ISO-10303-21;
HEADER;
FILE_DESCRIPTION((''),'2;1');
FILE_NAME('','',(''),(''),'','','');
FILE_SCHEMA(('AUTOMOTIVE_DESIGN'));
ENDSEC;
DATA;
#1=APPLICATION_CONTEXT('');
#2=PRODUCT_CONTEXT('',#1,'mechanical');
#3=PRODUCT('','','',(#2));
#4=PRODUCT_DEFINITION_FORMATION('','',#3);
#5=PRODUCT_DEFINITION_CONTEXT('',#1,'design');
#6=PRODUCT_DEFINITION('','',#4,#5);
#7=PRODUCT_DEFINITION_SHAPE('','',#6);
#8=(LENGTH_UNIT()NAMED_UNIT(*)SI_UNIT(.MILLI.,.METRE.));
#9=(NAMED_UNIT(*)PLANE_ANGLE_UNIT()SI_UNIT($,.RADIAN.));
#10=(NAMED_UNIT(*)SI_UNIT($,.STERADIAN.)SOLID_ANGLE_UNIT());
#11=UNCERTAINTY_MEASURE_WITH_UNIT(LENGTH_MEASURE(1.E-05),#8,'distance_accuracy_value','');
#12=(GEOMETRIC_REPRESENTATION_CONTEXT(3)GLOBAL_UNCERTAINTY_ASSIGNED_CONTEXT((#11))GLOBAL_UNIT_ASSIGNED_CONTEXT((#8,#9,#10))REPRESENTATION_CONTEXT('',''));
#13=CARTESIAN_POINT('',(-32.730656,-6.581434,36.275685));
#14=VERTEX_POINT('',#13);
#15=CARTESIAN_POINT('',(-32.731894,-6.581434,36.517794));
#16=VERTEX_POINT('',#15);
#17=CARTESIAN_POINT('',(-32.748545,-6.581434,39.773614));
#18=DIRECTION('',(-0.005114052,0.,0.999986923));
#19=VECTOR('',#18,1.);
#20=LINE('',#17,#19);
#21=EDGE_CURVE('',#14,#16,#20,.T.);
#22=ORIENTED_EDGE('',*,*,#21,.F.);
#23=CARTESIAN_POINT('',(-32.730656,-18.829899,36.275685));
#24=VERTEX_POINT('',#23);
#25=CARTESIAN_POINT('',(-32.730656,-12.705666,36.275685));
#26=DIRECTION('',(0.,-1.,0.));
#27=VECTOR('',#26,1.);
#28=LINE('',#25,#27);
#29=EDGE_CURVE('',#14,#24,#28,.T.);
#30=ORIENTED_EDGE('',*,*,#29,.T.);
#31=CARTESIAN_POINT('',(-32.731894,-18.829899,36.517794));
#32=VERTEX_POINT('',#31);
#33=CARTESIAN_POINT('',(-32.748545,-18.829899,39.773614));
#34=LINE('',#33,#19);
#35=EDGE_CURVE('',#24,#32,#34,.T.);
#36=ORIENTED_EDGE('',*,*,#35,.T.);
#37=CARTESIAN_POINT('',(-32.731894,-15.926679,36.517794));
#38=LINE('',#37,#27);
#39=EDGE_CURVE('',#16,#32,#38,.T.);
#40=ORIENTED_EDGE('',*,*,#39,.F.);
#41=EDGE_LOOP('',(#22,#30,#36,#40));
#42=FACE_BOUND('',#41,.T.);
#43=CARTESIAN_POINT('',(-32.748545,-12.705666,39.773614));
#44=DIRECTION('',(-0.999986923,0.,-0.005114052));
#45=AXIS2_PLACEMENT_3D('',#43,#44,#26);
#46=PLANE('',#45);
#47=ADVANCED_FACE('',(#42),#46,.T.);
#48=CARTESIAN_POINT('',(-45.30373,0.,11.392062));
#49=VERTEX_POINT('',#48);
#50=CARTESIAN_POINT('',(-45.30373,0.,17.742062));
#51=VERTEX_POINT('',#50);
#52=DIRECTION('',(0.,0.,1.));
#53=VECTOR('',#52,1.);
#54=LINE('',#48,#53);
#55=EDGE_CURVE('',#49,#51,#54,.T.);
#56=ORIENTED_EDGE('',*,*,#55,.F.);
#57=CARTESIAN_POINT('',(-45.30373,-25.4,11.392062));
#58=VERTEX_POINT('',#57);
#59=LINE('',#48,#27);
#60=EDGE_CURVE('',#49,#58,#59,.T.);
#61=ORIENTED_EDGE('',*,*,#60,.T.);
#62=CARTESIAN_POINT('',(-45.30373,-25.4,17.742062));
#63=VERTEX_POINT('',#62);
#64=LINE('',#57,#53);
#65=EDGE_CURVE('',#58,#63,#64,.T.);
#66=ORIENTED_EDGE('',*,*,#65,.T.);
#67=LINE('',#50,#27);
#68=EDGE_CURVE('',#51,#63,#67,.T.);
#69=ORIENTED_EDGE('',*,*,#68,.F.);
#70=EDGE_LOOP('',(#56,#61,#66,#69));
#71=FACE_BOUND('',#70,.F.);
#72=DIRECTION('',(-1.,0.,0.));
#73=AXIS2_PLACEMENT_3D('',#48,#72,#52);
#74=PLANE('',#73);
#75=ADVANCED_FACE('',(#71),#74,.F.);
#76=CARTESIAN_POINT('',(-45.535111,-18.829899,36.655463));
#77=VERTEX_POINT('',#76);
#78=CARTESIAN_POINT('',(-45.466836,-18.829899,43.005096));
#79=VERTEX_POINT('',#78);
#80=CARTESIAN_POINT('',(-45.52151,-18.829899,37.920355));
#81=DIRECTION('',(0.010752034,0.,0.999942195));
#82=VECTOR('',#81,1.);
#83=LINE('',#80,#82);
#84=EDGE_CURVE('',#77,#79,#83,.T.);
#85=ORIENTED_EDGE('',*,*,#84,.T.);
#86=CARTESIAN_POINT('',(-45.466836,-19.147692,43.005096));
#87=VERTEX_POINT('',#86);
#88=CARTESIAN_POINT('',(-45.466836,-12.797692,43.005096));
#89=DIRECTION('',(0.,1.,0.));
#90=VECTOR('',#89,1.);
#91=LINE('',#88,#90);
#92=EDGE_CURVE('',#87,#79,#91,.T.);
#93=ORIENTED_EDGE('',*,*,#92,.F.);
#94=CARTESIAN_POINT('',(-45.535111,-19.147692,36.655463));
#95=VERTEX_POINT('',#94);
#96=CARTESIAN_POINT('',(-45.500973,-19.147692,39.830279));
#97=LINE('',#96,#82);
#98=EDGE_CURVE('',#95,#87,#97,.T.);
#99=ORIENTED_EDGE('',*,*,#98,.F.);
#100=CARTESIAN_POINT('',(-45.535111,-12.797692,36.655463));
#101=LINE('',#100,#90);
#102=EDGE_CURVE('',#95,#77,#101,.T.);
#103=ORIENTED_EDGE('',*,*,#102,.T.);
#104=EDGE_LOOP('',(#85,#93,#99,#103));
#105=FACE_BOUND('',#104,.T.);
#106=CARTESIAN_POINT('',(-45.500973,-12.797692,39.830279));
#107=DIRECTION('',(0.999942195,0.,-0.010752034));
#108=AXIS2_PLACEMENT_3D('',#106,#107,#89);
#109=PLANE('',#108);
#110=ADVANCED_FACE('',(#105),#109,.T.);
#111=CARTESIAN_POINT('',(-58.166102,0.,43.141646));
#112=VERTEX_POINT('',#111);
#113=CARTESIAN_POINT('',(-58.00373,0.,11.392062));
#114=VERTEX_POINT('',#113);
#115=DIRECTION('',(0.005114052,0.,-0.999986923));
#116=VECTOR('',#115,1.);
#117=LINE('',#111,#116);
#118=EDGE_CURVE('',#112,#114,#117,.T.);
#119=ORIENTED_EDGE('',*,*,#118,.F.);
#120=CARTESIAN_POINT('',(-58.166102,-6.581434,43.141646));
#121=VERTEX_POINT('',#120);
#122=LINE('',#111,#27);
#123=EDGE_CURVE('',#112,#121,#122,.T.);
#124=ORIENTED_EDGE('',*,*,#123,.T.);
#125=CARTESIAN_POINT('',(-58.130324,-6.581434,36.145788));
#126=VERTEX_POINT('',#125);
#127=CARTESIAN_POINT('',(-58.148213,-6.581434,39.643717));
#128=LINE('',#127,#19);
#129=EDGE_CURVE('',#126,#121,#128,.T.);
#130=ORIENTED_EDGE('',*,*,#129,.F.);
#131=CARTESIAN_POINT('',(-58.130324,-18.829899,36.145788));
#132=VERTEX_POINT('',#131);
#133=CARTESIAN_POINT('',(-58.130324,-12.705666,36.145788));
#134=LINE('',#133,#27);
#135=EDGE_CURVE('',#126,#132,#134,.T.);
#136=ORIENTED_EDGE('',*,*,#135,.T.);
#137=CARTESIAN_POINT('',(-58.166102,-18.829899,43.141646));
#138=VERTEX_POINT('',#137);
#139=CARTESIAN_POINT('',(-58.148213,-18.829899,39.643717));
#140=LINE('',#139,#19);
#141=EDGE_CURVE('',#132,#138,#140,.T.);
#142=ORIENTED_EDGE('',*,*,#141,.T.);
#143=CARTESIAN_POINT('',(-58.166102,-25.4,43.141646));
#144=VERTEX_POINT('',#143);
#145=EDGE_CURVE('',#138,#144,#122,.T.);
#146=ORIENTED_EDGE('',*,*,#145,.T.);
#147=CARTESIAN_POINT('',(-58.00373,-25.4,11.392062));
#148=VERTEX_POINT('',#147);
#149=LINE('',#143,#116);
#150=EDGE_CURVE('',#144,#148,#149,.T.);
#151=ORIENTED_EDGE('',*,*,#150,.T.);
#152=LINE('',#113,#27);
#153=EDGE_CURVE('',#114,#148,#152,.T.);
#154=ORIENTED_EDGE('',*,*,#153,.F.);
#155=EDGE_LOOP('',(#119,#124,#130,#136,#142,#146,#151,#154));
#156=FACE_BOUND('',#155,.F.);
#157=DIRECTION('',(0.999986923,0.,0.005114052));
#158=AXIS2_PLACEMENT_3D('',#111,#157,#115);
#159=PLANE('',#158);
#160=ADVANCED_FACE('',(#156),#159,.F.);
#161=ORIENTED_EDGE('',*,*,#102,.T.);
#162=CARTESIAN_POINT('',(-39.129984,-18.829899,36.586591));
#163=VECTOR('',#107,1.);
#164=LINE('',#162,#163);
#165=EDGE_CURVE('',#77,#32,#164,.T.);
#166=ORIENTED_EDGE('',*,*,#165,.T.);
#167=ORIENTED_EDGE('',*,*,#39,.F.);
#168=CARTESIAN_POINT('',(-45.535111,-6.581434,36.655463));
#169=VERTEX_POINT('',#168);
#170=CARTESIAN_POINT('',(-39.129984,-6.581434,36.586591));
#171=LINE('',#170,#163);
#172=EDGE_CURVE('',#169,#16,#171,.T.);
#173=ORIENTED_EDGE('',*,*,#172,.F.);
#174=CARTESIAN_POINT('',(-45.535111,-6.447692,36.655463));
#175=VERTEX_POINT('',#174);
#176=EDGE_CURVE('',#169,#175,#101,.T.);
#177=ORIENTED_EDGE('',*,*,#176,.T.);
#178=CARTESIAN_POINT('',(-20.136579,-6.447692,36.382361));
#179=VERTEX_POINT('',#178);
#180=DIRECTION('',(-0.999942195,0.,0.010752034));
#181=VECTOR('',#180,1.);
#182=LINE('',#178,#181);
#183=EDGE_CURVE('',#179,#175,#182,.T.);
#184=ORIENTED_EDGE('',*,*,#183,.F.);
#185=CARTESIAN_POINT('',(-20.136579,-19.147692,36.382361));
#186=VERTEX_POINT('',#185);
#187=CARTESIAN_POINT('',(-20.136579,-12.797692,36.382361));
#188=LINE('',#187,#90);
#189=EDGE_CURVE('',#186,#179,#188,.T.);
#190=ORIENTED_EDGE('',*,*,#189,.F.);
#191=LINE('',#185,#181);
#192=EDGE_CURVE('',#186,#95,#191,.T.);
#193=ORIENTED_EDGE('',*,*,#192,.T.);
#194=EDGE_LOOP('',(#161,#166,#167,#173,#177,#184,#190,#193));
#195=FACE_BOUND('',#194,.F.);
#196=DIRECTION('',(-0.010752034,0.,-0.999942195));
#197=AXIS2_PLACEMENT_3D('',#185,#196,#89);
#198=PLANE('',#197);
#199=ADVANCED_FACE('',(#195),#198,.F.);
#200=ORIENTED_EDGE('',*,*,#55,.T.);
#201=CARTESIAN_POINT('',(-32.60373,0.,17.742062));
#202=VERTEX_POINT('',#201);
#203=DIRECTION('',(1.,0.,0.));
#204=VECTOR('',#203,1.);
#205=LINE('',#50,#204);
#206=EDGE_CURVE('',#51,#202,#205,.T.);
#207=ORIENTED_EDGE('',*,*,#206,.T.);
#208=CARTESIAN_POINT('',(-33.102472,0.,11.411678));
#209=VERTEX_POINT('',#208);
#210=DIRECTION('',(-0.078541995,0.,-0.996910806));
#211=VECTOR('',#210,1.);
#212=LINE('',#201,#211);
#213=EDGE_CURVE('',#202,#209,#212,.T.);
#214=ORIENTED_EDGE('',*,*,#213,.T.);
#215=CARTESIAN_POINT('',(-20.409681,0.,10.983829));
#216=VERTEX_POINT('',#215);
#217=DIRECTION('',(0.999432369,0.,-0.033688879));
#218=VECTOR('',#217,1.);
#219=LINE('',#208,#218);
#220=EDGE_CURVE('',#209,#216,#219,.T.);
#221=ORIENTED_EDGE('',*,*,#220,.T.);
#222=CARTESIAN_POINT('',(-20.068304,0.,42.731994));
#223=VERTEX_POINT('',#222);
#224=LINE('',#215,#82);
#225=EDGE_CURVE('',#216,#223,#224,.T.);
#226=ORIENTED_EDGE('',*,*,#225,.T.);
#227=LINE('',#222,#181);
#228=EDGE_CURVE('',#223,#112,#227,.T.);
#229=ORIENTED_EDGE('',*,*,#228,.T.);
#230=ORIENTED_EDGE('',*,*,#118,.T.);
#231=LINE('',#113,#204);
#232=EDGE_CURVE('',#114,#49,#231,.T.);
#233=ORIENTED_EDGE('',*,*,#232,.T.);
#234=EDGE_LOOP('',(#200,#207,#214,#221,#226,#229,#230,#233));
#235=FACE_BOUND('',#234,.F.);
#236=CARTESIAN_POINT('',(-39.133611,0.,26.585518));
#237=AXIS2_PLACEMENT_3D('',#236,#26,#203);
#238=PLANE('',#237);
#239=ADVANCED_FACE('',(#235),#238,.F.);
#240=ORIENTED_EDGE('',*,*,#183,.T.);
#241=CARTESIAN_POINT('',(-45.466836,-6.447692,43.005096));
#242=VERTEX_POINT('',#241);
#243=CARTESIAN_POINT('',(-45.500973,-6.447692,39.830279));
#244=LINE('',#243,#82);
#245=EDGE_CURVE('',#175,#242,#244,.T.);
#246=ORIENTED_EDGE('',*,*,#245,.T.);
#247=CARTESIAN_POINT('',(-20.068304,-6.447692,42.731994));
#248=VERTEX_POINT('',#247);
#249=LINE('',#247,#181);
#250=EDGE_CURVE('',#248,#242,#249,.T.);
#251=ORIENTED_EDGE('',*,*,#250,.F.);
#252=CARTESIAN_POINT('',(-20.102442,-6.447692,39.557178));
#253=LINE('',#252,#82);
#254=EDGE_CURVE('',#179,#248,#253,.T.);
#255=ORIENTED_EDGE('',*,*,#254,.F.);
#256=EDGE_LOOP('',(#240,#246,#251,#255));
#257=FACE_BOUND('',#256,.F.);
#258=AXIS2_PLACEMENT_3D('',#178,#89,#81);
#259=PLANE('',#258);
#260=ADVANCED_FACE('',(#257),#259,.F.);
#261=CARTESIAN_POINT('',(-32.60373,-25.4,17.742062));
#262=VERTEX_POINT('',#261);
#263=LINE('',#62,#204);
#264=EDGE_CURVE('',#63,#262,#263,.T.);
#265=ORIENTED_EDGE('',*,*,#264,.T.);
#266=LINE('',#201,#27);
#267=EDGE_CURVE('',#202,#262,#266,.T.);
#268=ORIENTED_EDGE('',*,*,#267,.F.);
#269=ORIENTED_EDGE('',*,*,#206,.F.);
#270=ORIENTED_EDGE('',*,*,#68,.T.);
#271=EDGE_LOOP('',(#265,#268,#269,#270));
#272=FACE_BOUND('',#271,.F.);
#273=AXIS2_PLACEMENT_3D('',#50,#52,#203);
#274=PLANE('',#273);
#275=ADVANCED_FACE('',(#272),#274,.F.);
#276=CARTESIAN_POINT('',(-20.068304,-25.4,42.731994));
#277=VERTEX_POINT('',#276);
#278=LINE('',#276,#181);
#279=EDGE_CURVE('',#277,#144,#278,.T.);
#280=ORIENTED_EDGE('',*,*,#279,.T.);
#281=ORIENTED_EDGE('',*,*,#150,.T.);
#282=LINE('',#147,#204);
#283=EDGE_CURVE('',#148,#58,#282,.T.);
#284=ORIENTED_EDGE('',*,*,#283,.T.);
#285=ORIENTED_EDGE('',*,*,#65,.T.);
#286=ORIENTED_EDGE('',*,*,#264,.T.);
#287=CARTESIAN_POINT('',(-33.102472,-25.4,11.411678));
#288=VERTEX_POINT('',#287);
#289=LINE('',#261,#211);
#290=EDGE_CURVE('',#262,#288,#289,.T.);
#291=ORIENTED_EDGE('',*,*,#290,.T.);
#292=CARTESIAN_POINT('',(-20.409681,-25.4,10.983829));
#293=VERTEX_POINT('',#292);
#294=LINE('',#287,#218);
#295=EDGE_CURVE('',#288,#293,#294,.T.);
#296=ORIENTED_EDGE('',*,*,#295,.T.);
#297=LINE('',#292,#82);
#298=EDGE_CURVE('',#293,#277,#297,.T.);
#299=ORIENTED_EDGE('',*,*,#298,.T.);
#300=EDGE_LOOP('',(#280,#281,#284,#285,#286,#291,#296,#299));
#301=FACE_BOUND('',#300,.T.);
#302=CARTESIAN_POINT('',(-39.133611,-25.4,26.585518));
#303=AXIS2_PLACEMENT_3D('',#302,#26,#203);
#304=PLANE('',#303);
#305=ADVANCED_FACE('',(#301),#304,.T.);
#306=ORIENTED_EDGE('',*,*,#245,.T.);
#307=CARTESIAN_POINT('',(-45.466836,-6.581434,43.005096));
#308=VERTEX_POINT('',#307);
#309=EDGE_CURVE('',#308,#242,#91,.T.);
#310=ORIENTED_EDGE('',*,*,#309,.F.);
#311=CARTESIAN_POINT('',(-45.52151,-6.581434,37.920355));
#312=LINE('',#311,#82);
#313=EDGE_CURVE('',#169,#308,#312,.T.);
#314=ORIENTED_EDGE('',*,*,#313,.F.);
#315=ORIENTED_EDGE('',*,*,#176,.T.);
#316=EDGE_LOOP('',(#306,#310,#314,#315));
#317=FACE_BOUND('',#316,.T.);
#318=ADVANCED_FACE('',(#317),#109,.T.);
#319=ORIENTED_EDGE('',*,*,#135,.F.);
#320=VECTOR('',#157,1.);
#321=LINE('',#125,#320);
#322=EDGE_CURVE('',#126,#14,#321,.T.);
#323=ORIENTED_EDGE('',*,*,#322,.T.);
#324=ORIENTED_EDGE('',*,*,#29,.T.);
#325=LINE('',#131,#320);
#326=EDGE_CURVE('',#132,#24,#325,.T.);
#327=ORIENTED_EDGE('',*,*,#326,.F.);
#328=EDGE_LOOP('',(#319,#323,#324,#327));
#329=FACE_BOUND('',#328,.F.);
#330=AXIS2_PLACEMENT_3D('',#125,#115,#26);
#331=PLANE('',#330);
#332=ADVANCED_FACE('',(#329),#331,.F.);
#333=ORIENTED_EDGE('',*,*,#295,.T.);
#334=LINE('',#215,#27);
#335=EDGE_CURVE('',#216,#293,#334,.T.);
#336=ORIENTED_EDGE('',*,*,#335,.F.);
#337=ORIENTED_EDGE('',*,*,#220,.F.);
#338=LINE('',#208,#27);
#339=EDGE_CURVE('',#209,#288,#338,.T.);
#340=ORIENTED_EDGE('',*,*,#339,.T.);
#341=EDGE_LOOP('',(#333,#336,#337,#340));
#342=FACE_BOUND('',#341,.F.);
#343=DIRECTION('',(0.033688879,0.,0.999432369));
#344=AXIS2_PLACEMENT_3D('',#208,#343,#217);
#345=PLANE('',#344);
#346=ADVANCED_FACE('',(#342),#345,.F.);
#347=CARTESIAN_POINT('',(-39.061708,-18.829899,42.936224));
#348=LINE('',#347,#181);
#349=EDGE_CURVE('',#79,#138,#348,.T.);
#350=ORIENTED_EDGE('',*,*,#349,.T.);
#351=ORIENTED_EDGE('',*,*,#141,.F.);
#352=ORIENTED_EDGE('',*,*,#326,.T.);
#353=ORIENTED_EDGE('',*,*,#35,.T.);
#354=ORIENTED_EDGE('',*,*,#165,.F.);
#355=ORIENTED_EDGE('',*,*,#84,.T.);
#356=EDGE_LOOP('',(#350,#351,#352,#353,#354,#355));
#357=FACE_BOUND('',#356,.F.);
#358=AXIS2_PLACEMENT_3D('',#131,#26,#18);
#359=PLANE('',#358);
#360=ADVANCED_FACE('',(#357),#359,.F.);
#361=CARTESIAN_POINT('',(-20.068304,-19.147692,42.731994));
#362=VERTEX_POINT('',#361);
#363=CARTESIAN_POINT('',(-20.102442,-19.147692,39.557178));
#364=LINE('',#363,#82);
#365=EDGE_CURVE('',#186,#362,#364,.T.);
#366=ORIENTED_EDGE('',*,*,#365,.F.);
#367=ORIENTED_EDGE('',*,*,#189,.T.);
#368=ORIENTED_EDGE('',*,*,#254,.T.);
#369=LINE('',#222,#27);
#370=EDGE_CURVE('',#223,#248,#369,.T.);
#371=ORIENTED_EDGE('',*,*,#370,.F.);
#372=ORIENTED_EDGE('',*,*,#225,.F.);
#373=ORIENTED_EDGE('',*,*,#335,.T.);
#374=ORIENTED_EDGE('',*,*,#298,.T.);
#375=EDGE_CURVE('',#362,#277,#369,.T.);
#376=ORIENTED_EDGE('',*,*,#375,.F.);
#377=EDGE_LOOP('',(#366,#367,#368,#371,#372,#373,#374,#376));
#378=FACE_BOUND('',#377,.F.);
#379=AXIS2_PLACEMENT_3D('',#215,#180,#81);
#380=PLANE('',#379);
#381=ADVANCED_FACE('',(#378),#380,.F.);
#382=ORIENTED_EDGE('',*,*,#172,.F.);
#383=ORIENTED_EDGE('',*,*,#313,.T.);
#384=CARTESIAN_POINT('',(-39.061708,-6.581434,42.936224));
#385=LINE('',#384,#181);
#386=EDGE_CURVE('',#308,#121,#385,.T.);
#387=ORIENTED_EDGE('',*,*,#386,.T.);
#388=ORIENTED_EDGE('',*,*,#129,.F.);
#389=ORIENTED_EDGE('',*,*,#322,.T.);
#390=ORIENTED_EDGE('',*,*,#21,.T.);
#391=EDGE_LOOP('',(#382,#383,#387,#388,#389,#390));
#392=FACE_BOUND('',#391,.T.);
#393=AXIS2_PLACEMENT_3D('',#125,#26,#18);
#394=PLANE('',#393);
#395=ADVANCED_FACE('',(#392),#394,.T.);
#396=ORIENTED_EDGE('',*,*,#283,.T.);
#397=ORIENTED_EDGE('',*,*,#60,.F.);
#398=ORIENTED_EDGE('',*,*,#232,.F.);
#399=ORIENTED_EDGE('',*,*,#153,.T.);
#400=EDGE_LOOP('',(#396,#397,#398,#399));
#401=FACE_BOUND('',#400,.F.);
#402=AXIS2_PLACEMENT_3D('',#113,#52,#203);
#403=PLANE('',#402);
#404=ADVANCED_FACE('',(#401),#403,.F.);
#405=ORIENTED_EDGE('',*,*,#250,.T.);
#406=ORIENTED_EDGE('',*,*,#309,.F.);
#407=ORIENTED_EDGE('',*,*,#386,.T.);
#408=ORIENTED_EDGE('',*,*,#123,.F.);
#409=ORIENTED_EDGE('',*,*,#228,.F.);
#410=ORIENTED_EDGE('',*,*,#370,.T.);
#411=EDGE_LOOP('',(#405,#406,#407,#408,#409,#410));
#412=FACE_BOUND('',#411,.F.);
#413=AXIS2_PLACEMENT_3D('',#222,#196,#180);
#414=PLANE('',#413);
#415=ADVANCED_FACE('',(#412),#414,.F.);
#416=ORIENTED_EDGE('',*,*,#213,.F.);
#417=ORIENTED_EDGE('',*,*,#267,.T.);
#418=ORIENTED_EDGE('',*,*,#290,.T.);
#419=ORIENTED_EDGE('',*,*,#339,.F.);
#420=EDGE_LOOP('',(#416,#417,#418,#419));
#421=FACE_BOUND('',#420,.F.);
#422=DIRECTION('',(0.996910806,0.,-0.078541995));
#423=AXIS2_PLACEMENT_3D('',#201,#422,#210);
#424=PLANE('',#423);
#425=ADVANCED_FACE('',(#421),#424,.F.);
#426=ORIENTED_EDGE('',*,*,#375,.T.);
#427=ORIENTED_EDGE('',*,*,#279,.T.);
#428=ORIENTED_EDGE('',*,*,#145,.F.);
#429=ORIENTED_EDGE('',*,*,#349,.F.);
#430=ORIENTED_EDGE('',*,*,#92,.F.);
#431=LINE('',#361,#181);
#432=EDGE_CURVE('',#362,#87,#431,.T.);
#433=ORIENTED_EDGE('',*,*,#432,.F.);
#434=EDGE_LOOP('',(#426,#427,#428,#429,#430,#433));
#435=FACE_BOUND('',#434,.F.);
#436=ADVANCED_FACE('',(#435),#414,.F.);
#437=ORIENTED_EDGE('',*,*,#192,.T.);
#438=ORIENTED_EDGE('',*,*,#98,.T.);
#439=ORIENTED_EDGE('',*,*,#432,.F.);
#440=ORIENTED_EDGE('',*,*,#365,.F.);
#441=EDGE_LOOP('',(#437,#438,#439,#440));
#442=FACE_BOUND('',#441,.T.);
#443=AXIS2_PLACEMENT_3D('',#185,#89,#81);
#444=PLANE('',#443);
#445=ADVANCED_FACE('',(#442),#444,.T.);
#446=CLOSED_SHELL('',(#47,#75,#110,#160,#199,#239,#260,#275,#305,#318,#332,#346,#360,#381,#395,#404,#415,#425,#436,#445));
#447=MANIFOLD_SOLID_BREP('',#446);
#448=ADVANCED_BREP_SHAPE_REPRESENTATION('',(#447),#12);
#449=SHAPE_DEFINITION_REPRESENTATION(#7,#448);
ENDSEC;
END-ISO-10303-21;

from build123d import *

# Parameters (mm, degrees)
F1_DEPTH = 25.4
F2_W     = 12.2484653257
F2_H     = 6.995950315
F3_DEPTH = 25.4
F4_W     = 12.7
F4_H     = 6.35
F5_DEPTH = 25.4


with BuildPart() as f1:
    # F0 (on Front) → F1 (new body)
    with BuildSketch(Plane.XZ):
        Polygon((-58.1661015928, 43.1416464728), (-58.0037304439, 11.3920616628), (-45.3037304439, 11.3920616628), (-45.3037304439, 17.7420616628), (-32.6037304439, 17.7420616628), (-33.1024721118, 11.411678045), (-20.4096810303, 10.9838292846), (-20.0683039551, 42.7319939826), align=None)
    extrude(amount=F1_DEPTH)

    # F2 (on face) → F3 (cut)
    with BuildSketch(Plane(origin=(-57.9439546086, 0, -0.2963322682), x_dir=(0, -1, 0), z_dir=(-0.9999869232, 0, -0.0051140519))):
        with Locations((12.7056662459, 39.9405716228)):
            Rectangle(F2_W, F2_H)
    extrude(amount=-F3_DEPTH, mode=Mode.SUBTRACT)

    # F4 (on face) → F5 (cut)
    with BuildSketch(Plane(origin=(-20.5254132218, 0, 0.2207026957), x_dir=(0, 1, 0), z_dir=(0.9999421952, 0, -0.0107520339))):
        with Locations((-12.7976922482, 39.338748785)):
            Rectangle(F4_W, F4_H)
    extrude(amount=-F5_DEPTH, mode=Mode.SUBTRACT)


solid = f1.part
